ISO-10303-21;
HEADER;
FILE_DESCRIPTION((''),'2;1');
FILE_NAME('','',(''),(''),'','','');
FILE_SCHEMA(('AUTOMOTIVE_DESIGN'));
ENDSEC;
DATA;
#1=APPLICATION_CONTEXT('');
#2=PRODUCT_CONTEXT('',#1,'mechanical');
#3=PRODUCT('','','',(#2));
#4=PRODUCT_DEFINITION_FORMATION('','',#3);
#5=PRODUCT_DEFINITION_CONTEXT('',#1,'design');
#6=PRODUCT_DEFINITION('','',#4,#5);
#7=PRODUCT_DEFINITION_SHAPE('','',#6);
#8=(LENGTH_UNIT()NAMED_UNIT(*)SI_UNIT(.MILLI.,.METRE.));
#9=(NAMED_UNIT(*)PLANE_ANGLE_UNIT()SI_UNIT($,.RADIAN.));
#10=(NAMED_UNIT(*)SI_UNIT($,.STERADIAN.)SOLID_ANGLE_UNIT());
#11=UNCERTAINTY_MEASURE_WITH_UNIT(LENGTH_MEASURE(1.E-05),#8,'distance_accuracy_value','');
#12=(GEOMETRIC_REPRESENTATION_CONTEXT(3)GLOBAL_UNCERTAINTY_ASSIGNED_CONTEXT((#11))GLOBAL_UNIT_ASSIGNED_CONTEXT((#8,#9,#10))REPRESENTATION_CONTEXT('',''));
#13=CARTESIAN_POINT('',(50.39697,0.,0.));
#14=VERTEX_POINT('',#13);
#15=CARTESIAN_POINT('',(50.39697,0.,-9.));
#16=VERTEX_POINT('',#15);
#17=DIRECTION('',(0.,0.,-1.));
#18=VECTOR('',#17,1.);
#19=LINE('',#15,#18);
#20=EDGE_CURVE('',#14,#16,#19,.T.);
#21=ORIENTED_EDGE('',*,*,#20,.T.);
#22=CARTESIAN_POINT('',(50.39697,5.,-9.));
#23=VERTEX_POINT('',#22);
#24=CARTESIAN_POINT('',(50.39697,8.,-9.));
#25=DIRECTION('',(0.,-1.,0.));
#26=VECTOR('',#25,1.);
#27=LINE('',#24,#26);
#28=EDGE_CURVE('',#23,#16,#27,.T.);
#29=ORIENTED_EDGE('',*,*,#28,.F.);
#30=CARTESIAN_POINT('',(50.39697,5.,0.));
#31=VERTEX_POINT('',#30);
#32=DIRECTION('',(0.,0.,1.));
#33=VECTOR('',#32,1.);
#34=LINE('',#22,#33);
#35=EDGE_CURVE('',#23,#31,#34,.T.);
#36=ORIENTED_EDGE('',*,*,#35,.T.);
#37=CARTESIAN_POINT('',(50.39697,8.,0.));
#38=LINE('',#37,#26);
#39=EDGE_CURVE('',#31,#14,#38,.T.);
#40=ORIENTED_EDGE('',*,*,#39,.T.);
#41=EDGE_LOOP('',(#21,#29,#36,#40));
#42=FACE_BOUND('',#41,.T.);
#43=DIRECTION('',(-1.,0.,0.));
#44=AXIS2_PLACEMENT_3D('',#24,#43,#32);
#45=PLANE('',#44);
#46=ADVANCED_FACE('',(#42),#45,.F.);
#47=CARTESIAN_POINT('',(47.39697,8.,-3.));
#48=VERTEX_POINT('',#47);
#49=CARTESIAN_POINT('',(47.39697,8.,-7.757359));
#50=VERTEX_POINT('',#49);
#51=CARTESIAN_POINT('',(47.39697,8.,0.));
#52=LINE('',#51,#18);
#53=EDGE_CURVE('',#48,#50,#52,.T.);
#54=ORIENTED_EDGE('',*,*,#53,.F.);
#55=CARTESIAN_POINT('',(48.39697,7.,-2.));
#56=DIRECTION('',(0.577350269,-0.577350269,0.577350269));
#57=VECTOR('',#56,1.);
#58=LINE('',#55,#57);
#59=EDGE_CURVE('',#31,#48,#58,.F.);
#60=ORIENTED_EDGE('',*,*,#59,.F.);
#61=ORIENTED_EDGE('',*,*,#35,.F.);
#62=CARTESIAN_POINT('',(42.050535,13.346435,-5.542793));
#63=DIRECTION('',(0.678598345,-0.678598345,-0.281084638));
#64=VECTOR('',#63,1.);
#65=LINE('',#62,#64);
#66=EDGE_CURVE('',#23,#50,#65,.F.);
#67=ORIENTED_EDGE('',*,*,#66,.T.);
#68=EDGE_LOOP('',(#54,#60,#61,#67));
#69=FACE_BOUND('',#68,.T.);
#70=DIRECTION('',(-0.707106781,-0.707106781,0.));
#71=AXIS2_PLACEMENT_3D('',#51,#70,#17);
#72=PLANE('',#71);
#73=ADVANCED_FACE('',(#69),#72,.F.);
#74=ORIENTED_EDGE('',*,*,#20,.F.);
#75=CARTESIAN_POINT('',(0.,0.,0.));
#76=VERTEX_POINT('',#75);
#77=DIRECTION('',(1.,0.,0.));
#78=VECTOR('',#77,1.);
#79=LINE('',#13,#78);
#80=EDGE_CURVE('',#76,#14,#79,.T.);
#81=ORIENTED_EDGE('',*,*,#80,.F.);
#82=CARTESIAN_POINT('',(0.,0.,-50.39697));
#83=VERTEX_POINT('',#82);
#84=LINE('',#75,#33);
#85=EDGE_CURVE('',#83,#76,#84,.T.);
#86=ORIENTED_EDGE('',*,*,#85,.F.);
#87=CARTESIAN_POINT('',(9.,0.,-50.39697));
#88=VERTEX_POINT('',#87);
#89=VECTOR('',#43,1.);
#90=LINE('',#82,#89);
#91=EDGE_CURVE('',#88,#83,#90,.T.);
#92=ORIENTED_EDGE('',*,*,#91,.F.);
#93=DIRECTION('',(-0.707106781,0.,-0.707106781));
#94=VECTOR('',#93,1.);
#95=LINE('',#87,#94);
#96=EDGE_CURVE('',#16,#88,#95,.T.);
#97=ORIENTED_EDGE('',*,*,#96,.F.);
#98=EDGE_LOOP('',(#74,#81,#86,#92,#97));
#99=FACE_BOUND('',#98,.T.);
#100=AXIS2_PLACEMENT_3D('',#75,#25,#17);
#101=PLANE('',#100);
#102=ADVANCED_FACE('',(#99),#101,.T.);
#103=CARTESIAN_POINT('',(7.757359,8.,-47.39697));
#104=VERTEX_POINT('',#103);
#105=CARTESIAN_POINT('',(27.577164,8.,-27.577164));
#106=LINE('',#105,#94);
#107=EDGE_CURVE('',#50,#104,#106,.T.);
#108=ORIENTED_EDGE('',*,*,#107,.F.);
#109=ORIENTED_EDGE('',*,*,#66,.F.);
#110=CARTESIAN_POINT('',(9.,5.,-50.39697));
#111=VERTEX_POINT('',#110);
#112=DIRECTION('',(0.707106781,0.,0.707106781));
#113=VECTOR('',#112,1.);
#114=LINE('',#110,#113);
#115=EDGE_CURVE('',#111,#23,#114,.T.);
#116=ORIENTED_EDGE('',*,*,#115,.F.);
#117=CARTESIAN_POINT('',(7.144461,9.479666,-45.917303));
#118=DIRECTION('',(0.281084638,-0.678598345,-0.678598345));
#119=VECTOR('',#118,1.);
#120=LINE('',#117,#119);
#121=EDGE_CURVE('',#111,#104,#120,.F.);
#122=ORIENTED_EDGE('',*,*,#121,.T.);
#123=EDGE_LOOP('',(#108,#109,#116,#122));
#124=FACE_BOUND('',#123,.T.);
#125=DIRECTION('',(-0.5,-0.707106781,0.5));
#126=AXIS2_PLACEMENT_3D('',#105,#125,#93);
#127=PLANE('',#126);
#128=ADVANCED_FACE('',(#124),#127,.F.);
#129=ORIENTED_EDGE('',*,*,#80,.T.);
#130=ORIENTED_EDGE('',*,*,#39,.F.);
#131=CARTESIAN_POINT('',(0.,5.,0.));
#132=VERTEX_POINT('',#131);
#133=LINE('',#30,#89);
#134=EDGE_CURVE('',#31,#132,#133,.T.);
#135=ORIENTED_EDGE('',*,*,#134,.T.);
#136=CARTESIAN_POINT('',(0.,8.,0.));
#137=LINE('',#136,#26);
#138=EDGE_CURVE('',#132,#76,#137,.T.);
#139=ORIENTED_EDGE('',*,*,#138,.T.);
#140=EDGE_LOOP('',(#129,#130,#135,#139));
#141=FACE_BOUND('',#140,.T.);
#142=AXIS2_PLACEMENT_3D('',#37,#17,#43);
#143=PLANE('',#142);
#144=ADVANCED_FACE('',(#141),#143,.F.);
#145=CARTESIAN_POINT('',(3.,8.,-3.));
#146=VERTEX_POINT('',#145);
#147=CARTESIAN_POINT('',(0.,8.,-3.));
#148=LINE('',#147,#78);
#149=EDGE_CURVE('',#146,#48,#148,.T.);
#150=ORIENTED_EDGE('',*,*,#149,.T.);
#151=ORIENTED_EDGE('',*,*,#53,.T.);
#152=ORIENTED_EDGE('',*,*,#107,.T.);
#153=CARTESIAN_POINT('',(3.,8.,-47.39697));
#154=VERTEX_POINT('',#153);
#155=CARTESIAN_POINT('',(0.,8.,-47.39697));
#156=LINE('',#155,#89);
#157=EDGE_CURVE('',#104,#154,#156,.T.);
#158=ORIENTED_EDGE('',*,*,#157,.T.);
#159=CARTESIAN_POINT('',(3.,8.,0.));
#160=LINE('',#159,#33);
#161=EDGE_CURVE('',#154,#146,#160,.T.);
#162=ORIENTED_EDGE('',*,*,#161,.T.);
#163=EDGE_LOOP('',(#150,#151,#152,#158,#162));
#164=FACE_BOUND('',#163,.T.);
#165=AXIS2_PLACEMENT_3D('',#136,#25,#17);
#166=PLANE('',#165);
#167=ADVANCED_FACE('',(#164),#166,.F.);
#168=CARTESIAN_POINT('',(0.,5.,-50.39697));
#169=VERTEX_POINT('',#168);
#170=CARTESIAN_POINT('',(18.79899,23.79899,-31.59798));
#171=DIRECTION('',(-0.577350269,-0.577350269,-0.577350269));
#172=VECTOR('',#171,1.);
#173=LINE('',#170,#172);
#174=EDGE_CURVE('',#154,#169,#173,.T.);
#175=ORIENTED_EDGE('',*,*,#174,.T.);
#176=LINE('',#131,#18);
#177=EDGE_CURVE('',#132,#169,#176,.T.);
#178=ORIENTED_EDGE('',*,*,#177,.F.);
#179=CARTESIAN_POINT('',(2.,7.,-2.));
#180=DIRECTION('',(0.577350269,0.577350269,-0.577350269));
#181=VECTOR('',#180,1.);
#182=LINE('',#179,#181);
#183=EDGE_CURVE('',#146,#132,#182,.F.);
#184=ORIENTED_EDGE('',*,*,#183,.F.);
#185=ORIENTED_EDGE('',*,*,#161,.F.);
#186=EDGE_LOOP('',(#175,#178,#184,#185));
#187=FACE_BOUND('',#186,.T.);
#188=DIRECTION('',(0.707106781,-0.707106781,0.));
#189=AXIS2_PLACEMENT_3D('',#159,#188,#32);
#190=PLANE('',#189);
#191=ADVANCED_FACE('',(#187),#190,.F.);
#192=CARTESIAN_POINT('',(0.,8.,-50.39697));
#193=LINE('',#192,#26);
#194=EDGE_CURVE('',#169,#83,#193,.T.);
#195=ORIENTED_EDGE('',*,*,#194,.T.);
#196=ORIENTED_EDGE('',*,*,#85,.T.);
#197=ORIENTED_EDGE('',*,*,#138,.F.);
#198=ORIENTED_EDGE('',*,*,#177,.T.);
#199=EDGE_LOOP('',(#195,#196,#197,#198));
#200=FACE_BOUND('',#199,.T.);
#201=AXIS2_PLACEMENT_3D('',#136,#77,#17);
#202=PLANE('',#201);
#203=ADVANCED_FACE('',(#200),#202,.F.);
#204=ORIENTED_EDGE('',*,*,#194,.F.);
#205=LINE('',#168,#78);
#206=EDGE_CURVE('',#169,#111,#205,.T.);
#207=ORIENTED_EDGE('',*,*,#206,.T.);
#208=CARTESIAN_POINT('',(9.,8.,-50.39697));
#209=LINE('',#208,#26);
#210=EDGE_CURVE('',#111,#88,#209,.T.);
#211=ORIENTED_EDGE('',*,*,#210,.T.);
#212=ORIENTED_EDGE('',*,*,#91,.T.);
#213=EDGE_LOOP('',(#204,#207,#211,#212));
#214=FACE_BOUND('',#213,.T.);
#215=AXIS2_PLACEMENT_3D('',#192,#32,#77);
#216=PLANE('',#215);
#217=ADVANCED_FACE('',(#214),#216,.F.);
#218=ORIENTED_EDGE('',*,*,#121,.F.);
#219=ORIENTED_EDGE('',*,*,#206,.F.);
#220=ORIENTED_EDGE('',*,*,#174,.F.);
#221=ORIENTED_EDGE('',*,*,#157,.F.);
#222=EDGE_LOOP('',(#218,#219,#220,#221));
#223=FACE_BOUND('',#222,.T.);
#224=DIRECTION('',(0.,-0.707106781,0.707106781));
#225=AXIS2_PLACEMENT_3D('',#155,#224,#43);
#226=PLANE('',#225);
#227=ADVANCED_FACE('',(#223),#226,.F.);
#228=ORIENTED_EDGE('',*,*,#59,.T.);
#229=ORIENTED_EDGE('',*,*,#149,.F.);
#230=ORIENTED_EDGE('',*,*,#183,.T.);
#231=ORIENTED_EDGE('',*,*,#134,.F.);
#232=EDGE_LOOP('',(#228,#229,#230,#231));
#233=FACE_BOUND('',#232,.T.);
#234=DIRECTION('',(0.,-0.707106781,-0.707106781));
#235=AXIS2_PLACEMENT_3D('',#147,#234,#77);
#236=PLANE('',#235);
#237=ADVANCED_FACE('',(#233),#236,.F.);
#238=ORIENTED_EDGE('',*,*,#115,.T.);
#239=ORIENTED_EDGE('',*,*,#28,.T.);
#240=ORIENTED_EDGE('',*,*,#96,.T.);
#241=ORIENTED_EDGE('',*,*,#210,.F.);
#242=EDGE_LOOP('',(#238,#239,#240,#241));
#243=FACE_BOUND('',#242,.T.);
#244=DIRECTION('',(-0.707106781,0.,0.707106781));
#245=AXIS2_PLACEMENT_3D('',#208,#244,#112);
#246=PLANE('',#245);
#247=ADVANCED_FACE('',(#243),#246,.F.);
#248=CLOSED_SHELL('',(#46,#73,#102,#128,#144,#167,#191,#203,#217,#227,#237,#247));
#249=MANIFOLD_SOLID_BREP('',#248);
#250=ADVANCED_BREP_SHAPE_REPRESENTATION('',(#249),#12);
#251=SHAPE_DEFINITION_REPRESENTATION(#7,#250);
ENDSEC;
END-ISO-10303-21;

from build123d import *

# Parameters (mm, degrees)
BOSS_EXTRU_1_DEPTH = 8
CHANFREIN1_SIZE    = 3


with BuildPart() as part:
    # Esquisse1 → Boss.-Extru.1 (new body)
    with BuildSketch(Plane(origin=(0, 0, 0), x_dir=(1, 0, 0), z_dir=(0, 1, 0))):
        Polygon((0, 0), (0, 50.39696962), (9, 50.39696962), (50.39696962, 9), (50.39696962, 0), align=None)
    extrude(amount=BOSS_EXTRU_1_DEPTH)

    # Chanfrein1
    chanfrein1_edges = [part.edges().sort_by_distance(p)[0] for p in [
        (29.69848481, 8, -29.69848481),
        (4.5, 8, -50.39696962),
        (0, 8, -25.19848481),
        (25.19848481, 8, 0),
        (50.39696962, 8, -4.5),
    ]]
    chamfer(chanfrein1_edges, length=CHANFREIN1_SIZE)


solid = part.part
